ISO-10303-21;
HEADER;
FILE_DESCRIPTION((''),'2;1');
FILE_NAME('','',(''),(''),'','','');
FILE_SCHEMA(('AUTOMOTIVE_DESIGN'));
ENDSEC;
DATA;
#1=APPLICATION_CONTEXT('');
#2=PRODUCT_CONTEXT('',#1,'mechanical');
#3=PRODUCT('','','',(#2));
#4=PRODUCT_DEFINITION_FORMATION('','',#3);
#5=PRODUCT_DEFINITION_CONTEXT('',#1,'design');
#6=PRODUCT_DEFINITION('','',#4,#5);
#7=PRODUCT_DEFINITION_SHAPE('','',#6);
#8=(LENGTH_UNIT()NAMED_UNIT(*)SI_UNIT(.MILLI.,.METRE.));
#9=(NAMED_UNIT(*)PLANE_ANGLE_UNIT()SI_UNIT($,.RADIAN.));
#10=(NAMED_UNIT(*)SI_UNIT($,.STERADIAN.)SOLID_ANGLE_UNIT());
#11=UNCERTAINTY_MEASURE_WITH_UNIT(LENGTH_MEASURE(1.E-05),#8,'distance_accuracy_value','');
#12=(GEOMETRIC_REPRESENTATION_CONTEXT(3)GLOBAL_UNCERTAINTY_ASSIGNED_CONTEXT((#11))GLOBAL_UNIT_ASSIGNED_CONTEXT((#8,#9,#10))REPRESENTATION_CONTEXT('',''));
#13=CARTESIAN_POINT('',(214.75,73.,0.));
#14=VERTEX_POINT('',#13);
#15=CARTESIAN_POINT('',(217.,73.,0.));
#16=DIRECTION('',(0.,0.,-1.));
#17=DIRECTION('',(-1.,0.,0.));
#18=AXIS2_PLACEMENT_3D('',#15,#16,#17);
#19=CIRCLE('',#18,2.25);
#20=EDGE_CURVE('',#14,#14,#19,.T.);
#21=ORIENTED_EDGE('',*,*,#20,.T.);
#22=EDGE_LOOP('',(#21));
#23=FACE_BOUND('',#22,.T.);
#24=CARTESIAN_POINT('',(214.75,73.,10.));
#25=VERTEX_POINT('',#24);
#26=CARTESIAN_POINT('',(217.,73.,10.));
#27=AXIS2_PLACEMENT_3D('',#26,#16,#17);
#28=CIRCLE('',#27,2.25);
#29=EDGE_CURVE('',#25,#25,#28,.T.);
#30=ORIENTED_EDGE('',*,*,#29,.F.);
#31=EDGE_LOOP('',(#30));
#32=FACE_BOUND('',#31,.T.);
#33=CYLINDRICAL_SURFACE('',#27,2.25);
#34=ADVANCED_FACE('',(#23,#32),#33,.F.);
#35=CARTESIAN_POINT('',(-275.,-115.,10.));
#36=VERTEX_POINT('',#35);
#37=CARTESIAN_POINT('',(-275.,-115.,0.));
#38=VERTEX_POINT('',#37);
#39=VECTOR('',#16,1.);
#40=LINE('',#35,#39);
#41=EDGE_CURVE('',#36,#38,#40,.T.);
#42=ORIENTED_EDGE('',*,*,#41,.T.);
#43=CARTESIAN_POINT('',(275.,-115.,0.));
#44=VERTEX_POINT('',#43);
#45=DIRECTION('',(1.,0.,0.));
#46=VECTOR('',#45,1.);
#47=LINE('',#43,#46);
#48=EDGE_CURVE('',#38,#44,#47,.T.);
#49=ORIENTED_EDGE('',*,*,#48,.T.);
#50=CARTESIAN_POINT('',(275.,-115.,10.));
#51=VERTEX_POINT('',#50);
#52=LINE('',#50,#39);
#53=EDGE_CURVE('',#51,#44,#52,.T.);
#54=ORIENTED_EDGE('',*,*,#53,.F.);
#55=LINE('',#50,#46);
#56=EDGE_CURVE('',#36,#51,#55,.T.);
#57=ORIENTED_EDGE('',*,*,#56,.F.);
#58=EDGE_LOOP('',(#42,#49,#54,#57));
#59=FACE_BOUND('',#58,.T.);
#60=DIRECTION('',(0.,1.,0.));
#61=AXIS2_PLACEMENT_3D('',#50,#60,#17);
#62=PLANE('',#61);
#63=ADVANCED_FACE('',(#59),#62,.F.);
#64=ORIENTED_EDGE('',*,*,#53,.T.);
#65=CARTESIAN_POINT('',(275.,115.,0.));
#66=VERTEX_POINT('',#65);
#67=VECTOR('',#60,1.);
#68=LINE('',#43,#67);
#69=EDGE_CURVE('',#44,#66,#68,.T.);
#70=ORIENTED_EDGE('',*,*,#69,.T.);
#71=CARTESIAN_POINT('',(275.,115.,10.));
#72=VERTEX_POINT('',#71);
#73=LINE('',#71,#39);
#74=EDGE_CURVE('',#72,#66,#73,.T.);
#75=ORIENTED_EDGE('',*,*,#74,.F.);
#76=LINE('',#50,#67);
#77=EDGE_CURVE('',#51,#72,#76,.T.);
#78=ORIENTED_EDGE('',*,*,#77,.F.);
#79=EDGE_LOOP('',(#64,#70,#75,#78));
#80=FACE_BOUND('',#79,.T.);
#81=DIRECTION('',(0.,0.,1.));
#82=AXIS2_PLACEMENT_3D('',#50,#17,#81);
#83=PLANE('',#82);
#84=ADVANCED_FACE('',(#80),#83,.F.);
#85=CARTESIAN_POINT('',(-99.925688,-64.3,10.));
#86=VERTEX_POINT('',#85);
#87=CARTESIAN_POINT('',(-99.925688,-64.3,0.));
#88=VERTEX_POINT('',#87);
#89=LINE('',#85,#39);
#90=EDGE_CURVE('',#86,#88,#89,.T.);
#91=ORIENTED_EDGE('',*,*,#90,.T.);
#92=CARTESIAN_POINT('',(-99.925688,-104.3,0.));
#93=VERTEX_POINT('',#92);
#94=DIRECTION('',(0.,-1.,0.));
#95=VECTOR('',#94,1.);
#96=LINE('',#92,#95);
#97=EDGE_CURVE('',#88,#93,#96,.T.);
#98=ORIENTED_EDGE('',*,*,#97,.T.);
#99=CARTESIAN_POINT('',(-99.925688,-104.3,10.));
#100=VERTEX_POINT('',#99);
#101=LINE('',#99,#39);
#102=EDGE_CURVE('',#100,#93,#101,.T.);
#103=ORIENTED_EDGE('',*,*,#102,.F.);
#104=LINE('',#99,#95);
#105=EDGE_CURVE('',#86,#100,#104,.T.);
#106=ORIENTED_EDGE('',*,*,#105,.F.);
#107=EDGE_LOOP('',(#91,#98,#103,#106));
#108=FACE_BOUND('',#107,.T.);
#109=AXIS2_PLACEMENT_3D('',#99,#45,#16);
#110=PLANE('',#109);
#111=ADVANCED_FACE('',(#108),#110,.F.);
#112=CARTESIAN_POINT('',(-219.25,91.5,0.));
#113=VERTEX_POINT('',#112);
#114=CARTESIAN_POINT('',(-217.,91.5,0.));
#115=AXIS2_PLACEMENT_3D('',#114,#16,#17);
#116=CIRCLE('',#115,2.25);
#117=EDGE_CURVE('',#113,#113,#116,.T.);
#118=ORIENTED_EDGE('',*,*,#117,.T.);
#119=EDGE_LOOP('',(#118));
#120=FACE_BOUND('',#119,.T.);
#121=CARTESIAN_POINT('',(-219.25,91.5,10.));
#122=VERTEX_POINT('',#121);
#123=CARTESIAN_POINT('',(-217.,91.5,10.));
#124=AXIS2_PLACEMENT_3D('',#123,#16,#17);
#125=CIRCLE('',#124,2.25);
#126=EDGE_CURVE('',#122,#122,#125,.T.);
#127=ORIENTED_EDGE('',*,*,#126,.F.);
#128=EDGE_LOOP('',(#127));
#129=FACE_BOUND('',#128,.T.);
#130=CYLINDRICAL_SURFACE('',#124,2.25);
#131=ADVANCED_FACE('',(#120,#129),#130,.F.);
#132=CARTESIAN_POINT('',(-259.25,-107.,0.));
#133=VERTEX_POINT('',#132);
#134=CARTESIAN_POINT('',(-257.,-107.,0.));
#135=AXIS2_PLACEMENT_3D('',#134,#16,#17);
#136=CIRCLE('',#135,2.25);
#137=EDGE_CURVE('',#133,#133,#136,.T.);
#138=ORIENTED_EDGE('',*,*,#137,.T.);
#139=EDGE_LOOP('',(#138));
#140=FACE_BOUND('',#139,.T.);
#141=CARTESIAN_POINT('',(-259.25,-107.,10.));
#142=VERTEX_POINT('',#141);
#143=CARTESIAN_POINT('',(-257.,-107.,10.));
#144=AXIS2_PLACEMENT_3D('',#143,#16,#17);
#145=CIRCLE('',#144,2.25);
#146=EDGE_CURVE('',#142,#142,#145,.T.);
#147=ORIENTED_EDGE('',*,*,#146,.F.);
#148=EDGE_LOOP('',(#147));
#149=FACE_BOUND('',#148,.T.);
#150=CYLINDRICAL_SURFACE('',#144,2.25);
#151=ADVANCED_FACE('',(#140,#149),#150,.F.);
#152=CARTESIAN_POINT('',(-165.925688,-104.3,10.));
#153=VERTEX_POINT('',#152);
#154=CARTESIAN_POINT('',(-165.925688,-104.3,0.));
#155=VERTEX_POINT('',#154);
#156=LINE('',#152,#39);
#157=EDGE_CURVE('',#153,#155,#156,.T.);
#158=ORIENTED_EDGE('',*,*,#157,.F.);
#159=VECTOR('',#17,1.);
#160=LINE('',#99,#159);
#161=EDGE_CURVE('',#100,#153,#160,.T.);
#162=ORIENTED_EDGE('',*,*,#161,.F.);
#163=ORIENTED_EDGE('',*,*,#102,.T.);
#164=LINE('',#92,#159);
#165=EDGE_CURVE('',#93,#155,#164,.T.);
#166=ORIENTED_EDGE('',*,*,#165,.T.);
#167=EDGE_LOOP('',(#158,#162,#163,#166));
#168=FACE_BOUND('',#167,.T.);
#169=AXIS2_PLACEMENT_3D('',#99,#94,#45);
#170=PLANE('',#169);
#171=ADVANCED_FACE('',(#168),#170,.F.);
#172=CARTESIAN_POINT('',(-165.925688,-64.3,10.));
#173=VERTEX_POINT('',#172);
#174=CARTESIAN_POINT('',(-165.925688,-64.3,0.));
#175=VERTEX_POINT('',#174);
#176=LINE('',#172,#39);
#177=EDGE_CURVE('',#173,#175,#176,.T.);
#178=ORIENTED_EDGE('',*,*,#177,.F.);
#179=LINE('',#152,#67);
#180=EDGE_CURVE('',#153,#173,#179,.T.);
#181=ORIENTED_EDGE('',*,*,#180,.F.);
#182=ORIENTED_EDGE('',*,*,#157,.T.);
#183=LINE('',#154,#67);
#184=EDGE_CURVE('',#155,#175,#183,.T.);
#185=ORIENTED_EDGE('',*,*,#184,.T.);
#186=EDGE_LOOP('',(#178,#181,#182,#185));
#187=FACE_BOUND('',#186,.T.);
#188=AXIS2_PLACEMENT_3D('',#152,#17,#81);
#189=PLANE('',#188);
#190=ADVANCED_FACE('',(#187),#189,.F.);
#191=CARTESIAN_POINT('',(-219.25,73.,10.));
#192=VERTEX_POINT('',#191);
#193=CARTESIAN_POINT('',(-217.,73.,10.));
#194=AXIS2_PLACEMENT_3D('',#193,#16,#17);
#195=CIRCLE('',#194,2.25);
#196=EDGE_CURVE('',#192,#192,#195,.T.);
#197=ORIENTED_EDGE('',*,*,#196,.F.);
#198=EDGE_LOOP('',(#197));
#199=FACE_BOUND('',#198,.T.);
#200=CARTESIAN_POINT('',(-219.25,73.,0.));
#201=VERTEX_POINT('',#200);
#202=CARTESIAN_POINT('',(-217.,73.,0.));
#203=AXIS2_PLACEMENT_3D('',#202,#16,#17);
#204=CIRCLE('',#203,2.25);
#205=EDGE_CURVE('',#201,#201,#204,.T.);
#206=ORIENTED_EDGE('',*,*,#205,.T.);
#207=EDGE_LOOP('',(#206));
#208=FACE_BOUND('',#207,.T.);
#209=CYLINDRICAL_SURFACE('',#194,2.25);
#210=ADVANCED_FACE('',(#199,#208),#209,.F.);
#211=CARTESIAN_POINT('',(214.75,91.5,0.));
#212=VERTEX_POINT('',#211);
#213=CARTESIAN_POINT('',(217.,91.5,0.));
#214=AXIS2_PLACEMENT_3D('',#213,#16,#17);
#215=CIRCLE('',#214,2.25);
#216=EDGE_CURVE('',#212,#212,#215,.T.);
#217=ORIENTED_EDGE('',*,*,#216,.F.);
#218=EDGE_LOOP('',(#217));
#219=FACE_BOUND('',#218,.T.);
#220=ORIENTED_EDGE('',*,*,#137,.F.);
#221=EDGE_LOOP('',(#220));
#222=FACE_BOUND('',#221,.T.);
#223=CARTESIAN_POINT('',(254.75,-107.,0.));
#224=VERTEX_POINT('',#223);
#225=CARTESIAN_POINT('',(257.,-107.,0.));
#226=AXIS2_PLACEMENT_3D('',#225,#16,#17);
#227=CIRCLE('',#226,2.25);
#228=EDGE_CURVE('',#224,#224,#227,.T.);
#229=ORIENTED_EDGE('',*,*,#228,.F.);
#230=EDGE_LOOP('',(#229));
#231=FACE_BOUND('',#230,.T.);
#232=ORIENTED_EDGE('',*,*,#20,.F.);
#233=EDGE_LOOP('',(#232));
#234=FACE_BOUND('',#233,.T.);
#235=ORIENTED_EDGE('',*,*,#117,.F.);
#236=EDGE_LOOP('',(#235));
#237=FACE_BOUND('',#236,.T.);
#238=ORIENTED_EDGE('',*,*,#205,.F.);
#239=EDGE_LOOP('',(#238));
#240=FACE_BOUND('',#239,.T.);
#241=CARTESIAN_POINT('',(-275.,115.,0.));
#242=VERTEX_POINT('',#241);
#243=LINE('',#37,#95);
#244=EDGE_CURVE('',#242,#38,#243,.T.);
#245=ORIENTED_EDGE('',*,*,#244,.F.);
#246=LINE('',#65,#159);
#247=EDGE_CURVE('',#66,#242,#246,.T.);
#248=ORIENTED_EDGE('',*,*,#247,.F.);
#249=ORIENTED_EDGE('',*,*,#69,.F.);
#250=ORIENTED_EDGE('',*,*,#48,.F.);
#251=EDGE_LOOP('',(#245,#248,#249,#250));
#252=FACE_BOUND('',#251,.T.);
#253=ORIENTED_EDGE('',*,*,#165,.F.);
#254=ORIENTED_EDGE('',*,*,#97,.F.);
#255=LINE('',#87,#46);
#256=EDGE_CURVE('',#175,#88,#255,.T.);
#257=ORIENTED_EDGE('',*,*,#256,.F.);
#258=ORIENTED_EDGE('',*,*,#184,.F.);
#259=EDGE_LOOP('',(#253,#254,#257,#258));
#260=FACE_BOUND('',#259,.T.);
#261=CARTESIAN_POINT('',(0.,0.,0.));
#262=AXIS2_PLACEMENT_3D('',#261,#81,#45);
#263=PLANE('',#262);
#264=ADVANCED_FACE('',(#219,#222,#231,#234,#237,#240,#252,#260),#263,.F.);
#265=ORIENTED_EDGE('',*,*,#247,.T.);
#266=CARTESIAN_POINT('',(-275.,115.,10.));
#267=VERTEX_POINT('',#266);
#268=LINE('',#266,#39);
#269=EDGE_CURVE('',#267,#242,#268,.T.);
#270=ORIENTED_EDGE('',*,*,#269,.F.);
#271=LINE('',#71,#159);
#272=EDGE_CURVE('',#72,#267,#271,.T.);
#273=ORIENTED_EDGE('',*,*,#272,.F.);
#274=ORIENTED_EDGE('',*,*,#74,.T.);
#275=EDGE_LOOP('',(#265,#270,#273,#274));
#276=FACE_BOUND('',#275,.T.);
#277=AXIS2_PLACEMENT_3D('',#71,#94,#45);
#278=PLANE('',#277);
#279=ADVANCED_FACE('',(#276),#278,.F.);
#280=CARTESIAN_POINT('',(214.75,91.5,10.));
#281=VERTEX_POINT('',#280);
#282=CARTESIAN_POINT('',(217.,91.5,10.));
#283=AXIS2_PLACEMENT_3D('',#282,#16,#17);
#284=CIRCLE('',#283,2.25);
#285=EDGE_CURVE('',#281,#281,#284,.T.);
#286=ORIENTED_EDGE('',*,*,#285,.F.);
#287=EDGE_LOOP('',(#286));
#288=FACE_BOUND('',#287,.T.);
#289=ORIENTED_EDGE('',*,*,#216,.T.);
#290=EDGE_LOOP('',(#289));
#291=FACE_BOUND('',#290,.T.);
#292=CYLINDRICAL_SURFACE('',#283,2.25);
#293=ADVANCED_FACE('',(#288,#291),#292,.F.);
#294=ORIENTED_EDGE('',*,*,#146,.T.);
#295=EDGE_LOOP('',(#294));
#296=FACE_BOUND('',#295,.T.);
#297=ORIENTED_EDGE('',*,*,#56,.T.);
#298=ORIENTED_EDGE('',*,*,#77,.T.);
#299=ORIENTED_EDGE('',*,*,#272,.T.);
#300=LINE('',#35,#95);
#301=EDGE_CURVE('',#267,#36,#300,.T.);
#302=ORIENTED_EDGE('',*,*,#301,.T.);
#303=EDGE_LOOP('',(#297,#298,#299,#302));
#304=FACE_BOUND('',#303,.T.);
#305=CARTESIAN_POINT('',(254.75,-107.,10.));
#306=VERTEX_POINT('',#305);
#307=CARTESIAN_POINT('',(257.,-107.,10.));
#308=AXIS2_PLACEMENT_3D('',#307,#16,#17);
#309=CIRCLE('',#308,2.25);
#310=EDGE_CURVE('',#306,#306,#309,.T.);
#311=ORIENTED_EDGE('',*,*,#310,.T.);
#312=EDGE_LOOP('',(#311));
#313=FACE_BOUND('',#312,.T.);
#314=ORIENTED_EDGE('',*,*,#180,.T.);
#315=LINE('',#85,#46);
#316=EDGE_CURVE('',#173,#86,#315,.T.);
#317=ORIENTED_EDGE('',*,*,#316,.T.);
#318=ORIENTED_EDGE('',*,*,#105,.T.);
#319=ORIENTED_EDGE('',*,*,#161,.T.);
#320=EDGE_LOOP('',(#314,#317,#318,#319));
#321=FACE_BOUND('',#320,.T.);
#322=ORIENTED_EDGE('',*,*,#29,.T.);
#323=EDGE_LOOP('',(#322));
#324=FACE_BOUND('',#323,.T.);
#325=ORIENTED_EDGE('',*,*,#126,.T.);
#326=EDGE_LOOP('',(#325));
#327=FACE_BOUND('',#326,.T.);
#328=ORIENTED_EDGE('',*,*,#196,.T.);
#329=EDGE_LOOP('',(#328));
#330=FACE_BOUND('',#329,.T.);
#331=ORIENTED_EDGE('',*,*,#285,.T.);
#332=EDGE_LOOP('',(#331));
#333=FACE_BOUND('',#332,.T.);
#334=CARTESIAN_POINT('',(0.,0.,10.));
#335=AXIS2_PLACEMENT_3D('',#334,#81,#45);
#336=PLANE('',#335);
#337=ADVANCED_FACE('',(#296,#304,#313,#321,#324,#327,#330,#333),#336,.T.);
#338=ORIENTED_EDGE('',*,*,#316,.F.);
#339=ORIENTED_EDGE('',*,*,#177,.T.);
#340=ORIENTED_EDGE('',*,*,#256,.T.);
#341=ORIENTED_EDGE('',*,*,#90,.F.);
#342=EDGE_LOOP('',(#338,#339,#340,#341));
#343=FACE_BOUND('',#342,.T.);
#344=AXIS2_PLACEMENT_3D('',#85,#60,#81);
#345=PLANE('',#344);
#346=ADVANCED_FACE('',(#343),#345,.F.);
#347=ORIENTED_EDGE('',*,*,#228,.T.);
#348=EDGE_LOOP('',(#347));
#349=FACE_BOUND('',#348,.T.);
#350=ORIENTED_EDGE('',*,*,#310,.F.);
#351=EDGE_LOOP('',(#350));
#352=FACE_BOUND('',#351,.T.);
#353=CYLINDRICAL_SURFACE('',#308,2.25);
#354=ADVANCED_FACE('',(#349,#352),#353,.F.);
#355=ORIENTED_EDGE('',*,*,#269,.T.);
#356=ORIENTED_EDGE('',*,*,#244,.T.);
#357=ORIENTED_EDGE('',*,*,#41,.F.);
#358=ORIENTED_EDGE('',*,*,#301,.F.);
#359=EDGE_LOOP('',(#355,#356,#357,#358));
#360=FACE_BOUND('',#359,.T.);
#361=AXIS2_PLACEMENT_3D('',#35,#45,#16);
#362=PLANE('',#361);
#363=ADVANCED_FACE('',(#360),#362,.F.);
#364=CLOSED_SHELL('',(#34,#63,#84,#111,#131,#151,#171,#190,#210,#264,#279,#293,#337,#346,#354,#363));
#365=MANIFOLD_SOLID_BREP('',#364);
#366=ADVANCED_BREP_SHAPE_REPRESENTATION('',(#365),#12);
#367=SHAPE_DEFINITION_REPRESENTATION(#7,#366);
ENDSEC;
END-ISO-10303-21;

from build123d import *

# Parameters (mm, degrees)
SCHIZZO1_W                   = 550
SCHIZZO1_H                   = 230
ESTRUSIONE_ESTRUSIONE1_DEPTH = 10
SCHIZZO2_R                   = 2.25
SCHIZZO2_W                   = 66
SCHIZZO2_H                   = 40
TAGLIO_ESTRUSIONE1_DEPTH     = 10


with BuildPart() as part:
    # Schizzo1 → Estrusione-Estrusione1 (new body)
    with BuildSketch(Plane.XY):
        Rectangle(SCHIZZO1_W, SCHIZZO1_H)
    extrude(amount=ESTRUSIONE_ESTRUSIONE1_DEPTH)

    # Schizzo2 → Taglio-Estrusione1 (cut)
    with BuildSketch(Plane(origin=(0, 0, 0), x_dir=(-1, 0, 0), z_dir=(0, 0, -1))):
        with Locations((-217, 91.5)):
            Circle(SCHIZZO2_R)
        with Locations((-217, 73)):
            Circle(SCHIZZO2_R)
        with Locations((217, 91.5)):
            Circle(SCHIZZO2_R)
        with Locations((217, 73)):
            Circle(SCHIZZO2_R)
        with Locations((-257, -107)):
            Circle(SCHIZZO2_R)
        with Locations((257, -107)):
            Circle(SCHIZZO2_R)
        with Locations((132.925688, -84.3)):
            Rectangle(SCHIZZO2_W, SCHIZZO2_H)
    extrude(amount=-TAGLIO_ESTRUSIONE1_DEPTH, mode=Mode.SUBTRACT)


solid = part.part
